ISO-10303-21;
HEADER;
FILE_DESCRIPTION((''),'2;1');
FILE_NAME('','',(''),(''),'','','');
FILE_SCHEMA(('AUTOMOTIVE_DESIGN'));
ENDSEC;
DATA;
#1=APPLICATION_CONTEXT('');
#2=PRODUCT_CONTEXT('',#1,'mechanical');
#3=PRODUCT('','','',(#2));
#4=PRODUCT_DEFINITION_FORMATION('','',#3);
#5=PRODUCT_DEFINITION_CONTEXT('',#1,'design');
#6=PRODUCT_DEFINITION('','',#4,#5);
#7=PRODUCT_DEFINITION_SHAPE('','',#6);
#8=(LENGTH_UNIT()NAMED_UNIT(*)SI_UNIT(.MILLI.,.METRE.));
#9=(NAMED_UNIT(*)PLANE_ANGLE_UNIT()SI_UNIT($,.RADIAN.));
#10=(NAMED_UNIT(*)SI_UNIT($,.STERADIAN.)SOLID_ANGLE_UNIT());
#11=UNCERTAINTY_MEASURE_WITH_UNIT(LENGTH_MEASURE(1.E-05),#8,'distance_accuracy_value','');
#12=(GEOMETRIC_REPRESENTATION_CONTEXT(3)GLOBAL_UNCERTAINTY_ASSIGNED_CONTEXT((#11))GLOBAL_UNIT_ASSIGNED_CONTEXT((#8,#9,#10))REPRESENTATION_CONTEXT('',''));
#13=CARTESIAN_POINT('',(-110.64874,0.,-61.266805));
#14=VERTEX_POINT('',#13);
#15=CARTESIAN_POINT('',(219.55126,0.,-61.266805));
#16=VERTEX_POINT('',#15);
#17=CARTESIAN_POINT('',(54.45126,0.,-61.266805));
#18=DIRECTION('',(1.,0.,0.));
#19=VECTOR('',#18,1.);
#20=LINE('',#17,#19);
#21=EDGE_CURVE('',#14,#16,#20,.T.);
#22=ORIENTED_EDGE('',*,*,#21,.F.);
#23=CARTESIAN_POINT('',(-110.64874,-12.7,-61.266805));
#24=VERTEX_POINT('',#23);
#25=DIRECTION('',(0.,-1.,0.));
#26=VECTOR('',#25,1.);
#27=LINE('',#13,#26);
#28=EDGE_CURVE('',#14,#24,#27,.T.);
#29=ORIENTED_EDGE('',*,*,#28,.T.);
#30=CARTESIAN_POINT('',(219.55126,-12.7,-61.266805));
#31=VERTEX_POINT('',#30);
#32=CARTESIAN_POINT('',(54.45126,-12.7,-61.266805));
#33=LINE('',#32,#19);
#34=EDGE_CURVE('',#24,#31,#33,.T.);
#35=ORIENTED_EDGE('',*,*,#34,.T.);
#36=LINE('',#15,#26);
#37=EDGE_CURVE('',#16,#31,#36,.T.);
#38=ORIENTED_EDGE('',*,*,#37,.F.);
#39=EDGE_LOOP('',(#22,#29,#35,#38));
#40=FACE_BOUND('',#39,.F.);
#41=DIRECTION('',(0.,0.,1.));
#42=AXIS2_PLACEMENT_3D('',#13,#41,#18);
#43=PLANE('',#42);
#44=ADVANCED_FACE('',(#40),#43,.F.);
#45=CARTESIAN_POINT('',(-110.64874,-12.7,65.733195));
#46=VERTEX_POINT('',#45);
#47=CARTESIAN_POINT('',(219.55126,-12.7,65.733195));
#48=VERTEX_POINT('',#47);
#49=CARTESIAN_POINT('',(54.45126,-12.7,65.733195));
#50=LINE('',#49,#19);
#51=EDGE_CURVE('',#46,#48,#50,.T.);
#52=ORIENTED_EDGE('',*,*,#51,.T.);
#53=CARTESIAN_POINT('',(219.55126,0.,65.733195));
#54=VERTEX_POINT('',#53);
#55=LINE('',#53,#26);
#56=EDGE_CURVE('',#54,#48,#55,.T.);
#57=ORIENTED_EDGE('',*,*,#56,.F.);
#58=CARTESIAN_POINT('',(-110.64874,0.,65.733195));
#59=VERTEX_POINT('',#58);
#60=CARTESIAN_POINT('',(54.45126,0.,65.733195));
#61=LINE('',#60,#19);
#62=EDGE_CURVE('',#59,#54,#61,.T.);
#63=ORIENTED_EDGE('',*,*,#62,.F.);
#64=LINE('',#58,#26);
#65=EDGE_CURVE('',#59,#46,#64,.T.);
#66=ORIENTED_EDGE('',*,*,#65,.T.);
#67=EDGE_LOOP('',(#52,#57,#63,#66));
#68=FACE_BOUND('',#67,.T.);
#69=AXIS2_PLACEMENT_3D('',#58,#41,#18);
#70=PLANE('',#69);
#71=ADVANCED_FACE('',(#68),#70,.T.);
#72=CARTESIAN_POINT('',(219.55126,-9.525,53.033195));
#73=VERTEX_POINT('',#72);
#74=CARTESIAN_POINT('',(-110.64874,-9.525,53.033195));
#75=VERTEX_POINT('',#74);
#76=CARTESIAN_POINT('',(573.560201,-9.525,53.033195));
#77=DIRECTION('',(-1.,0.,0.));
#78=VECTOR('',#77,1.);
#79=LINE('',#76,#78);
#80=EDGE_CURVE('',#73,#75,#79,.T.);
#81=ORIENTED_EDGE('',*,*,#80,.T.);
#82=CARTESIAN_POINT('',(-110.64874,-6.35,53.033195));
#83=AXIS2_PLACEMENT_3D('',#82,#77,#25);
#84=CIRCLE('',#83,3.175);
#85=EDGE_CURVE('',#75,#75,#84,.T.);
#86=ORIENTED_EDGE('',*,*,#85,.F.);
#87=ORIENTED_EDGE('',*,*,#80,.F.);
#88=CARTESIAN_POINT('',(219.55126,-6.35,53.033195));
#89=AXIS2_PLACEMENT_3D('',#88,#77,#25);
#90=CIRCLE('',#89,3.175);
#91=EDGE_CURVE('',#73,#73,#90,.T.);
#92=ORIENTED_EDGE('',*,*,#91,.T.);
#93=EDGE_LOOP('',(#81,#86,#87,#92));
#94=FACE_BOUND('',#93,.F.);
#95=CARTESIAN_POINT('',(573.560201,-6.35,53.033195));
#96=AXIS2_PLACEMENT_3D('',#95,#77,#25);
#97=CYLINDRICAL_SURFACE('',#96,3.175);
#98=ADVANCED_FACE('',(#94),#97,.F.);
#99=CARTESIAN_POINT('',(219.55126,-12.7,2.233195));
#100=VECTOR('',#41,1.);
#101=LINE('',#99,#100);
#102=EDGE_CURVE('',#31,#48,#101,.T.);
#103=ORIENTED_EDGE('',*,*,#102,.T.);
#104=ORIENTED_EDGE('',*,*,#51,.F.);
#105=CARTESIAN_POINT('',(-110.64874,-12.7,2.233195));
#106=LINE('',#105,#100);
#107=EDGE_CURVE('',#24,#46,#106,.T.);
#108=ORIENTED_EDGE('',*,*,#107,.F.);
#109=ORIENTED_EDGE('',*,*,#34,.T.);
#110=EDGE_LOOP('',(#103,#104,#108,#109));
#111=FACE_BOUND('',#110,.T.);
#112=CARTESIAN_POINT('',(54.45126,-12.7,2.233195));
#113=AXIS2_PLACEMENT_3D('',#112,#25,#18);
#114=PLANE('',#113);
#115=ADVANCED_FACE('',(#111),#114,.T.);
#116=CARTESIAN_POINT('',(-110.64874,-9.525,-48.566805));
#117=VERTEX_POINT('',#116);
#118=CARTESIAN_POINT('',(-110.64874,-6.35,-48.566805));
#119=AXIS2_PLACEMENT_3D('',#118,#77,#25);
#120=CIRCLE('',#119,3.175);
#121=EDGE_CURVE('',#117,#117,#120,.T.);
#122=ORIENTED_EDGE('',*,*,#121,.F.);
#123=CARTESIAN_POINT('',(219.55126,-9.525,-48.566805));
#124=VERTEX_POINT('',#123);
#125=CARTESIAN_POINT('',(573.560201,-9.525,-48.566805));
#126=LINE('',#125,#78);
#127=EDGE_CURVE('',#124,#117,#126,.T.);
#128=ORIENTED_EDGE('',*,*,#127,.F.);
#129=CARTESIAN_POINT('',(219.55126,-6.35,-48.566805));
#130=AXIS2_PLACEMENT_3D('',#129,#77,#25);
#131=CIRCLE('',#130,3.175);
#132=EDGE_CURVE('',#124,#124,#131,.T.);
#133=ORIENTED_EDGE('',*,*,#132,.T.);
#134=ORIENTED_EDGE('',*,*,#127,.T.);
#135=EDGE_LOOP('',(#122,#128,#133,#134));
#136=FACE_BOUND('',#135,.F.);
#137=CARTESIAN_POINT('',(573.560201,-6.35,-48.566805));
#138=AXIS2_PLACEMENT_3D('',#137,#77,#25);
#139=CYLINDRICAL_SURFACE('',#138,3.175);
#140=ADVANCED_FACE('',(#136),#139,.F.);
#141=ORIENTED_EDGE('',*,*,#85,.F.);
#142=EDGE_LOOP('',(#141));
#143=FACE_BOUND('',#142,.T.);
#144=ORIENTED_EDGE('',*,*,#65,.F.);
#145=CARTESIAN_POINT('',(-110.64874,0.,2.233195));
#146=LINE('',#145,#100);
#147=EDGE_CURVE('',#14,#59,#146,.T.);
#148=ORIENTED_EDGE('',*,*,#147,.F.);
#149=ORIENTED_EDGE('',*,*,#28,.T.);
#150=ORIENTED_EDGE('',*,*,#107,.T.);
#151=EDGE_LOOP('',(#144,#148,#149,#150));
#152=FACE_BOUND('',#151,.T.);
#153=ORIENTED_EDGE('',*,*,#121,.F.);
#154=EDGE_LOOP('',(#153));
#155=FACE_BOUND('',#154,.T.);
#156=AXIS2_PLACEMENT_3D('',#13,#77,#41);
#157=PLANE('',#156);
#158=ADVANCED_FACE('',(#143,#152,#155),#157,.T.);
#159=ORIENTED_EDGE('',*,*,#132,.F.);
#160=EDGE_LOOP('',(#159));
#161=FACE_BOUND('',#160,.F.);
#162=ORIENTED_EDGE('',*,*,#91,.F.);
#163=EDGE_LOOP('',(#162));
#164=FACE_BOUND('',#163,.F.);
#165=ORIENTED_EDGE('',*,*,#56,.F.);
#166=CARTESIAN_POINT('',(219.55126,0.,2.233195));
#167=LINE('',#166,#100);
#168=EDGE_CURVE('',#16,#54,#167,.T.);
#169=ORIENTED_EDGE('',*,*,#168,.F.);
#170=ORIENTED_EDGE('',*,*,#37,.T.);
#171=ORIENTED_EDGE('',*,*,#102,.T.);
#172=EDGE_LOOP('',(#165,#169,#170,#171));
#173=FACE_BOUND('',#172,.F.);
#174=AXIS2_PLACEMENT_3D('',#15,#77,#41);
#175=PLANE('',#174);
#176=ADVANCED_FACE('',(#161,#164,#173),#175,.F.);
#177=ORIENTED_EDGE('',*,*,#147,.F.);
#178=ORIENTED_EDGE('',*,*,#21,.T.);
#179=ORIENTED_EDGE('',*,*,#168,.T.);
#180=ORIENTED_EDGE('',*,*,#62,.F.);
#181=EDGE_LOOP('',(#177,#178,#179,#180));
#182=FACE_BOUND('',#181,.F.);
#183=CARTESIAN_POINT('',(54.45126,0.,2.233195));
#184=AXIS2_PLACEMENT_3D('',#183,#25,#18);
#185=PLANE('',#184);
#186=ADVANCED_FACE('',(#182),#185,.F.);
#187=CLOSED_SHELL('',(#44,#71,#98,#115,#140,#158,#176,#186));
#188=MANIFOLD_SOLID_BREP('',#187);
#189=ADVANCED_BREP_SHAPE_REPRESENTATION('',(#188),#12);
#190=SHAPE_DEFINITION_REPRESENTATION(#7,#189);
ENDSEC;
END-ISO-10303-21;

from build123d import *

# Parameters (mm, degrees)
F0_W     = 330.2
F0_H     = 127
F1_DEPTH = 12.7
F3_D     = 6.35


with BuildPart() as f1:
    # F0 (on Front) → F1 (new body)
    with BuildSketch(Plane.XZ):
        with Locations((54.45126, 2.233195)):
            Rectangle(F0_W, F0_H)
    extrude(amount=F1_DEPTH)

    # F3 (through all)
    with Locations(Plane.YZ.offset(219.55126)):
        with Locations((-6.35, 53.033195), (-6.35, -48.566805)):
            Hole(F3_D / 2)


solid = f1.part
